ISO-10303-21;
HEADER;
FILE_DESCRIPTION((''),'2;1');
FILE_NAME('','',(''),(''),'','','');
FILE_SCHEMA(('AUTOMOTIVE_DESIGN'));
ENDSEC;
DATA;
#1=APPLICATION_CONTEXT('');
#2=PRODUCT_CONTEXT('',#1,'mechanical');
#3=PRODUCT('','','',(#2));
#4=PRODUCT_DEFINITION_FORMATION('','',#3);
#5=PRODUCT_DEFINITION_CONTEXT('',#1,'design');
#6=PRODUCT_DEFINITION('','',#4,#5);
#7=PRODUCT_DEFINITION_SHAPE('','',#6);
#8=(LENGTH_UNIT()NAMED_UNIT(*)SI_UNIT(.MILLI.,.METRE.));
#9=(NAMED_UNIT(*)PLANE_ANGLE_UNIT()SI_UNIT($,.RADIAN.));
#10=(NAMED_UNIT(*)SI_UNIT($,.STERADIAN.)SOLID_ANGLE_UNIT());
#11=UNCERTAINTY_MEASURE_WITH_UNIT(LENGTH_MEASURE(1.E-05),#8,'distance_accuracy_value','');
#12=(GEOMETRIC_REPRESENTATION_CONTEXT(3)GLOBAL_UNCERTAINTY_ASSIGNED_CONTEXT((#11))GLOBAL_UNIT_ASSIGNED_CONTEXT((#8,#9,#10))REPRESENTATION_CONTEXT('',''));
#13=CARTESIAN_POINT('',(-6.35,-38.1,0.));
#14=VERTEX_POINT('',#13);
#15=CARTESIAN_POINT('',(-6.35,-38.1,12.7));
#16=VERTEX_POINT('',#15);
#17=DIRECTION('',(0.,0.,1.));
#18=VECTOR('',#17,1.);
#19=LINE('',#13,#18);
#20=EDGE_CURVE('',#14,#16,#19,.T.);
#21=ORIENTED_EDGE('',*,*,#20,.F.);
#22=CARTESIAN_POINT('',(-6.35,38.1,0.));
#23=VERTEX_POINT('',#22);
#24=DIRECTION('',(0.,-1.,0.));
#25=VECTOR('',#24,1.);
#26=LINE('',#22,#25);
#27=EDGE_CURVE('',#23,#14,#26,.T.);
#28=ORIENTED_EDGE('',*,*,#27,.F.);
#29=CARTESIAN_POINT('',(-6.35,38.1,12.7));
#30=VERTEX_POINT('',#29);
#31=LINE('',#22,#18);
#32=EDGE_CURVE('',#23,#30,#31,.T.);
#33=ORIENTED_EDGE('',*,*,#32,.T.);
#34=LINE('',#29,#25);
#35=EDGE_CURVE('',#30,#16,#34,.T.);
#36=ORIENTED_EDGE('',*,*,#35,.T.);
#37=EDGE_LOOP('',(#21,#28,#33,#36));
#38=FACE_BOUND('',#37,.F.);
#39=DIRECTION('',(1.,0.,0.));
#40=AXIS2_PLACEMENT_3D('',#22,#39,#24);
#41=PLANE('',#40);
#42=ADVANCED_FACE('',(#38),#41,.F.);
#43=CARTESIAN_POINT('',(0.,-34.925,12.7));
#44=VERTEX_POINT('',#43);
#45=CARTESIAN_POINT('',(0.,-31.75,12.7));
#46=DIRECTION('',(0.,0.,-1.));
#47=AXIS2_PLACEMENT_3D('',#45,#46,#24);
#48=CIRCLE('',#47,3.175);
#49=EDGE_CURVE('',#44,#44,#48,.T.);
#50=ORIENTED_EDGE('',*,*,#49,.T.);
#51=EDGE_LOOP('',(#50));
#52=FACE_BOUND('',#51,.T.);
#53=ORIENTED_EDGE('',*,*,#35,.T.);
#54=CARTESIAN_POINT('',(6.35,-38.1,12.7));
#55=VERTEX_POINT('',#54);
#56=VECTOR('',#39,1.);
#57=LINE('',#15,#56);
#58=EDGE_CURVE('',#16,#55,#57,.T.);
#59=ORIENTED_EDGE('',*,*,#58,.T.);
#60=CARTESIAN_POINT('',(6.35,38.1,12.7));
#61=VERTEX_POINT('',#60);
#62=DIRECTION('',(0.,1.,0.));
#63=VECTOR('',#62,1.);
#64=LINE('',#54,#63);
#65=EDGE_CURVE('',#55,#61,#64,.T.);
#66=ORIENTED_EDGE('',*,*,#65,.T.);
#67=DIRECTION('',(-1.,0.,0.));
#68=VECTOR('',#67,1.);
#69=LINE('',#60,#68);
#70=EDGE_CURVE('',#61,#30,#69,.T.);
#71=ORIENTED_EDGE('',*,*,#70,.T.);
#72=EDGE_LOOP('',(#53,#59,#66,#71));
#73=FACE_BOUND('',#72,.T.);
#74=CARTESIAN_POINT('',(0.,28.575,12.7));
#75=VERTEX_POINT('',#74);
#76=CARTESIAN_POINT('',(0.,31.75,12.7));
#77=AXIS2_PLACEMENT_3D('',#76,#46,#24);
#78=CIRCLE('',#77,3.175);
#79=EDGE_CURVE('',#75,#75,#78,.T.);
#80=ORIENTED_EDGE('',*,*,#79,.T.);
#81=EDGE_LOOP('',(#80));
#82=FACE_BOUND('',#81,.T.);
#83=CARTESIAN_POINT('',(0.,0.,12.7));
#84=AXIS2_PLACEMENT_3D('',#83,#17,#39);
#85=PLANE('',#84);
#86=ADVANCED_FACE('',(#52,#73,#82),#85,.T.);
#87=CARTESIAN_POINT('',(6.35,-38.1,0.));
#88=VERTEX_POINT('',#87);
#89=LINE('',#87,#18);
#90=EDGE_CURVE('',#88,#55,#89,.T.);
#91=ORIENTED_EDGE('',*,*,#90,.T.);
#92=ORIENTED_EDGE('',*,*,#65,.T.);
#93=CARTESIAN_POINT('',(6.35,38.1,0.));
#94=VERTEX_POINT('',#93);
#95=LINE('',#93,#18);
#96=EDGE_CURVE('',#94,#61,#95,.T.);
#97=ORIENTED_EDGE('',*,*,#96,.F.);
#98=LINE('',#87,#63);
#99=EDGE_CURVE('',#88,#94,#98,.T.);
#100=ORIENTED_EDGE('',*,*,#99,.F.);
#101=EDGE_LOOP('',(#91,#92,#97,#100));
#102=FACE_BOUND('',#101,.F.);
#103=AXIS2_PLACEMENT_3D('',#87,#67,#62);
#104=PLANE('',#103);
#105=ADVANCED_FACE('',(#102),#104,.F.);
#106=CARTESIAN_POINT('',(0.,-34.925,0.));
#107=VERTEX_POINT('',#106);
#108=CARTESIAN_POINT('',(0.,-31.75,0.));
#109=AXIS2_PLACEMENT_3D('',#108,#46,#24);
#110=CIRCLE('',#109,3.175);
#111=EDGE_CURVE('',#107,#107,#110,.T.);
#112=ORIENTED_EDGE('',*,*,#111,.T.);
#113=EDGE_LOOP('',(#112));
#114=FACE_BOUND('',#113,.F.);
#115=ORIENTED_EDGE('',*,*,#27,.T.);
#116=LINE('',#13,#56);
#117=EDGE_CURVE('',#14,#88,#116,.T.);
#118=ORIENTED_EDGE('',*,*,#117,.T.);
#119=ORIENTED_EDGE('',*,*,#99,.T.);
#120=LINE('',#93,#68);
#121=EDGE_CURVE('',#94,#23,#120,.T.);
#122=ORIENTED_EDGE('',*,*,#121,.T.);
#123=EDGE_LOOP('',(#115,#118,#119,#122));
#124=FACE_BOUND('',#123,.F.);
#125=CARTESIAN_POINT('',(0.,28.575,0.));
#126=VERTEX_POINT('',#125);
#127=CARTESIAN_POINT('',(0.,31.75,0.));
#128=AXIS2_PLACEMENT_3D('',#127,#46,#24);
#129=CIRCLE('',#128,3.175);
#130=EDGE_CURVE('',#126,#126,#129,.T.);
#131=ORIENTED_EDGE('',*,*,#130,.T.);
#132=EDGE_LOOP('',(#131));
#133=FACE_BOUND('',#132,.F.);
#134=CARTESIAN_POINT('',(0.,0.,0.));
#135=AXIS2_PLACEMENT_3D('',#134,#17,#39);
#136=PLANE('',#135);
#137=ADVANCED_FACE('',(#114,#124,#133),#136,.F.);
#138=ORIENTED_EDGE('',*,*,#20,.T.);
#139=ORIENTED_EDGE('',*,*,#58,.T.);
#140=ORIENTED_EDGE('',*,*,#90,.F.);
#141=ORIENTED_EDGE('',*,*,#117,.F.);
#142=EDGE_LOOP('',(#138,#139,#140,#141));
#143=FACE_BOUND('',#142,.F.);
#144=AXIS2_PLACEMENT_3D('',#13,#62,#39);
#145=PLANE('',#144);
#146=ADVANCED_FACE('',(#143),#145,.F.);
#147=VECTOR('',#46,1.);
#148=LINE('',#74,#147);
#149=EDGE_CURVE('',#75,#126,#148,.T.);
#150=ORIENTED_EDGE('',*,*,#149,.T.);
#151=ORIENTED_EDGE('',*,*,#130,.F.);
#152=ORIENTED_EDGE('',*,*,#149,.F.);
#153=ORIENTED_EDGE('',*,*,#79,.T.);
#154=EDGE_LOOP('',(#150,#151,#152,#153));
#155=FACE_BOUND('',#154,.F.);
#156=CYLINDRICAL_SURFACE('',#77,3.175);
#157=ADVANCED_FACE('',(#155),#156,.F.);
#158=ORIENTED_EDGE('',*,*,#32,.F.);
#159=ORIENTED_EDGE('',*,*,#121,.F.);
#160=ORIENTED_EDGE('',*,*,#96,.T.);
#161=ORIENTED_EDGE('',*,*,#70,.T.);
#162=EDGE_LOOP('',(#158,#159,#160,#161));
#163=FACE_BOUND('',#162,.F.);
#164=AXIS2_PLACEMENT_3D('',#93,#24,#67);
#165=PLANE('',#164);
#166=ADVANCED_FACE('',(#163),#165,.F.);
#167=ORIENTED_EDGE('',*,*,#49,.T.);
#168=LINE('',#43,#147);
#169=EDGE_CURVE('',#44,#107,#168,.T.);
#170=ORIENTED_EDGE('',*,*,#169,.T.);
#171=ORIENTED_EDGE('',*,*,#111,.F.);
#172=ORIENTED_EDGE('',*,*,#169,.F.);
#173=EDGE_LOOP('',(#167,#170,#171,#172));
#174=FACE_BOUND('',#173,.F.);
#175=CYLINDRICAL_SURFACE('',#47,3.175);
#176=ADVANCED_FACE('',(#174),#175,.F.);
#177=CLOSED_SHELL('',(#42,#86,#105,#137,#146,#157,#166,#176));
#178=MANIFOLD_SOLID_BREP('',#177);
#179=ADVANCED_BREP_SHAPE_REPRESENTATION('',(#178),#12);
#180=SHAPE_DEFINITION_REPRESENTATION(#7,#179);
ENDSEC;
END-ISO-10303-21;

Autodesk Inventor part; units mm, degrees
ref_plane "YZ Plane" through (0, 0, 0) normal (1, 0, 0) x (0, 1, 0)
ref_plane "XZ Plane" through (0, 0, 0) normal (0, 1, 0) x (-1, 0, 0)
ref_plane "XY Plane" through (0, 0, 0) normal (0, 0, 1) x (1, 0, 0)
sketch "Sketch1" plane through (0, 0, 0) normal (0, 0, 1) x (1, 0, 0)
  line L0 (-6.35, -38.1) -> (6.35, -38.1)
  line L1 (6.35, -38.1) -> (6.35, 38.1)
  line L2 (6.35, 38.1) -> (-6.35, 38.1)
  line L3 (-6.35, 38.1) -> (-6.35, -38.1)
  line L4 (-6.35, -38.1) -> (6.35, 38.1) construction
  line L5 (6.35, -38.1) -> (-6.35, 38.1) construction
  point P0 (0, 0)
  dimension "d0" = 12.7
  dimension "d1" = 76.2
extrude "Extrusion1" add sketch "Sketch1" along normal blind 12.7
sketch "Sketch2" plane through (0, 0, 12.7) normal (0, 0, 1) x (1, 0, 0)
  line L0 (-6.35, -38.1) -> (6.35, -38.1) projected
  line L1 (6.35, 38.1) -> (-6.35, 38.1) projected
  line L2 (-6.35, 38.1) -> (-6.35, -38.1) projected
  line L3 (0, 38.1) -> (0, 31.75)
  line L4 (0, -38.1) -> (0, -31.75)
  point P0 (0, 0)
  dimension "d4" = 6.35
  dimension "d5" = 6.35
hole "Hole1" at (0, 31.75, 12.7) at (0, -31.75, 12.7) direction (0, 0, -1) diameter 6.35 end through all
properties part number "5 in bar"
